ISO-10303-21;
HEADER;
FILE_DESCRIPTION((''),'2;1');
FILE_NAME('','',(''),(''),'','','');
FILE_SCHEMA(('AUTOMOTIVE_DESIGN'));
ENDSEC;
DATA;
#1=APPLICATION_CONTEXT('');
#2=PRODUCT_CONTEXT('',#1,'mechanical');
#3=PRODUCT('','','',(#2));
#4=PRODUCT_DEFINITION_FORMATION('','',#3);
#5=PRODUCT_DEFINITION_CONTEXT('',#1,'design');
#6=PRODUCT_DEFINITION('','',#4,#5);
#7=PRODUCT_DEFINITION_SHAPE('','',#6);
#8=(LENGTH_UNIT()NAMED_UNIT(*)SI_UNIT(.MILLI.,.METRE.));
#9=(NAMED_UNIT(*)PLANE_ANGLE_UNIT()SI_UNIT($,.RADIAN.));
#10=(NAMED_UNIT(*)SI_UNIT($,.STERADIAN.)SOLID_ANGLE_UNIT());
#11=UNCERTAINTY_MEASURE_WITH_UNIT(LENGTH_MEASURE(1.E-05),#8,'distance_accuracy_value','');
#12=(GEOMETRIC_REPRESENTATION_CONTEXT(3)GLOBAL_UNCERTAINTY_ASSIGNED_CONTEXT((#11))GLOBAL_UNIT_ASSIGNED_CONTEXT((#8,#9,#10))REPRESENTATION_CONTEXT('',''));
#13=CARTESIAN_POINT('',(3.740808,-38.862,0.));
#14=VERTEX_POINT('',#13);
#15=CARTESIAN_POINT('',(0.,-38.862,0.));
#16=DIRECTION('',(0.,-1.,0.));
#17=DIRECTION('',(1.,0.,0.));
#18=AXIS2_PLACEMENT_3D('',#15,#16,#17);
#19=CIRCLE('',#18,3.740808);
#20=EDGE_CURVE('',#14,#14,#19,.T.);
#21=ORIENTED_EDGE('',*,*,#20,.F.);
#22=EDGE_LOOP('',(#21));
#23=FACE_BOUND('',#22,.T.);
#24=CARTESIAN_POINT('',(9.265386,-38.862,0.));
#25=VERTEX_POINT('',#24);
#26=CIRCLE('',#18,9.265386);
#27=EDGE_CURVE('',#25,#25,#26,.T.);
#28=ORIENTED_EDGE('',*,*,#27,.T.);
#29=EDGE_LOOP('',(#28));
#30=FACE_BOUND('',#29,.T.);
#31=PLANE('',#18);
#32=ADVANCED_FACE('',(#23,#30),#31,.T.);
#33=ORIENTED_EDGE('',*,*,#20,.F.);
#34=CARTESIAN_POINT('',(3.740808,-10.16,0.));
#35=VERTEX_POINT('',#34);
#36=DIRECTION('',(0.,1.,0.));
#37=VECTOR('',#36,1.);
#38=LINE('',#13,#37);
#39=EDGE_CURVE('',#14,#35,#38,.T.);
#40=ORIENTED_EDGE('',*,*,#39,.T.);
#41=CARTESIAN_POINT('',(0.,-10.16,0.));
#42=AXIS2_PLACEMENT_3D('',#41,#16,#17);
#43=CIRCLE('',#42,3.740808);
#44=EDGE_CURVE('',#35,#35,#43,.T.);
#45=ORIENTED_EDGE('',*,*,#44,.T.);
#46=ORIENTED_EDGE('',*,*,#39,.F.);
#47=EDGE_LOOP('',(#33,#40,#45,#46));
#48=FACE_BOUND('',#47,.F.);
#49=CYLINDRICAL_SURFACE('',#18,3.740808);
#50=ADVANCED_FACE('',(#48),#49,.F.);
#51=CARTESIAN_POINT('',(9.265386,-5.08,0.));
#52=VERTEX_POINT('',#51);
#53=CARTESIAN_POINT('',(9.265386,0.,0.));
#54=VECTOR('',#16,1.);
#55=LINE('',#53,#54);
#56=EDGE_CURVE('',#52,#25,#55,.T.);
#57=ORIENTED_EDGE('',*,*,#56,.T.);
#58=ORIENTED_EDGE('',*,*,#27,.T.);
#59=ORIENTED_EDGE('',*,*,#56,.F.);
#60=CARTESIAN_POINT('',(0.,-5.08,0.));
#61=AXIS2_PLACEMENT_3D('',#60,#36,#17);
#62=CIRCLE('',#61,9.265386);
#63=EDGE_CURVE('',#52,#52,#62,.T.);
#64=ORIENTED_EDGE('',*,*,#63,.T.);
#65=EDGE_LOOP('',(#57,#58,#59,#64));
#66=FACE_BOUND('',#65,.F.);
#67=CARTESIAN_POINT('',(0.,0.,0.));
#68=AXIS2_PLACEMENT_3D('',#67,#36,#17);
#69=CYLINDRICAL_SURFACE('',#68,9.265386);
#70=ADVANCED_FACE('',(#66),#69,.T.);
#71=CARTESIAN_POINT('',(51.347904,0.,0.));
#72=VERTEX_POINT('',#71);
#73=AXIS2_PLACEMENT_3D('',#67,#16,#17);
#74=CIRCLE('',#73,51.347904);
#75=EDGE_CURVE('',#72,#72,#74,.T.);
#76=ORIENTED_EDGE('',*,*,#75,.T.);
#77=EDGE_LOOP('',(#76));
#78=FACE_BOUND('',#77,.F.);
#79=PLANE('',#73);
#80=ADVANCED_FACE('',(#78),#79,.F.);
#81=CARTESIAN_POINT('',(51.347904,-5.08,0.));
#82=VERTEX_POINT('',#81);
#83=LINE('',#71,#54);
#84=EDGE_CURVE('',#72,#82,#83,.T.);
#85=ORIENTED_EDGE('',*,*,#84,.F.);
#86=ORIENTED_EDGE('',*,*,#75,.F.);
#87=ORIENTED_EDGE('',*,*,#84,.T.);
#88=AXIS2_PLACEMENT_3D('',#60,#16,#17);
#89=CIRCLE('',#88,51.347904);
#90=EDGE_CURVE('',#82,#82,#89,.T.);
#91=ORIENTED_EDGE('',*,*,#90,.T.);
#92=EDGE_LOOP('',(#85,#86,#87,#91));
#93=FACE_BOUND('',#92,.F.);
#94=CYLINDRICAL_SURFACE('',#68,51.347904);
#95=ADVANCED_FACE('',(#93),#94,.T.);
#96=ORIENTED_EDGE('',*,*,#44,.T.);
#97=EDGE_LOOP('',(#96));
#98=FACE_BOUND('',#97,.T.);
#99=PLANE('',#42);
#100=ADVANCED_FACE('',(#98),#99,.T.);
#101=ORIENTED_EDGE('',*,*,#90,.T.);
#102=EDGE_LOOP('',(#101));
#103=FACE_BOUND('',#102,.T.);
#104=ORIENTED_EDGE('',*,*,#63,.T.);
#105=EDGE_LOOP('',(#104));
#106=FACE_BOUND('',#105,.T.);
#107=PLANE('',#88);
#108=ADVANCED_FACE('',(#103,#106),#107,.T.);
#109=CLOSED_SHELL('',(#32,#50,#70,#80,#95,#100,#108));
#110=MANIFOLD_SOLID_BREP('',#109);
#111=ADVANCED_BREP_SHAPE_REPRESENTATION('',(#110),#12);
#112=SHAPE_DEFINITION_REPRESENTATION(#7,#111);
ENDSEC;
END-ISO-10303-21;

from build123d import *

# Parameters (mm, degrees)
F0_R     = 51.347904
F1_DEPTH = 5.08
F2_R     = 9.265386
F3_DEPTH = 38.862
F4_R     = 3.740808
F5_DEPTH = 28.702


with BuildPart() as f1:
    # F0 (on Front) → F1 (new body)
    with BuildSketch(Plane.XZ):
        Circle(F0_R)
    extrude(amount=F1_DEPTH)

    # F2 (on Front) → F3 (join)
    with BuildSketch(Plane.XZ):
        Circle(F2_R)
    extrude(amount=F3_DEPTH)

    # F4 (on face) → F5 (cut)
    with BuildSketch(Plane.XZ.offset(38.862)):
        Circle(F4_R)
    extrude(amount=-F5_DEPTH, mode=Mode.SUBTRACT)


solid = f1.part
